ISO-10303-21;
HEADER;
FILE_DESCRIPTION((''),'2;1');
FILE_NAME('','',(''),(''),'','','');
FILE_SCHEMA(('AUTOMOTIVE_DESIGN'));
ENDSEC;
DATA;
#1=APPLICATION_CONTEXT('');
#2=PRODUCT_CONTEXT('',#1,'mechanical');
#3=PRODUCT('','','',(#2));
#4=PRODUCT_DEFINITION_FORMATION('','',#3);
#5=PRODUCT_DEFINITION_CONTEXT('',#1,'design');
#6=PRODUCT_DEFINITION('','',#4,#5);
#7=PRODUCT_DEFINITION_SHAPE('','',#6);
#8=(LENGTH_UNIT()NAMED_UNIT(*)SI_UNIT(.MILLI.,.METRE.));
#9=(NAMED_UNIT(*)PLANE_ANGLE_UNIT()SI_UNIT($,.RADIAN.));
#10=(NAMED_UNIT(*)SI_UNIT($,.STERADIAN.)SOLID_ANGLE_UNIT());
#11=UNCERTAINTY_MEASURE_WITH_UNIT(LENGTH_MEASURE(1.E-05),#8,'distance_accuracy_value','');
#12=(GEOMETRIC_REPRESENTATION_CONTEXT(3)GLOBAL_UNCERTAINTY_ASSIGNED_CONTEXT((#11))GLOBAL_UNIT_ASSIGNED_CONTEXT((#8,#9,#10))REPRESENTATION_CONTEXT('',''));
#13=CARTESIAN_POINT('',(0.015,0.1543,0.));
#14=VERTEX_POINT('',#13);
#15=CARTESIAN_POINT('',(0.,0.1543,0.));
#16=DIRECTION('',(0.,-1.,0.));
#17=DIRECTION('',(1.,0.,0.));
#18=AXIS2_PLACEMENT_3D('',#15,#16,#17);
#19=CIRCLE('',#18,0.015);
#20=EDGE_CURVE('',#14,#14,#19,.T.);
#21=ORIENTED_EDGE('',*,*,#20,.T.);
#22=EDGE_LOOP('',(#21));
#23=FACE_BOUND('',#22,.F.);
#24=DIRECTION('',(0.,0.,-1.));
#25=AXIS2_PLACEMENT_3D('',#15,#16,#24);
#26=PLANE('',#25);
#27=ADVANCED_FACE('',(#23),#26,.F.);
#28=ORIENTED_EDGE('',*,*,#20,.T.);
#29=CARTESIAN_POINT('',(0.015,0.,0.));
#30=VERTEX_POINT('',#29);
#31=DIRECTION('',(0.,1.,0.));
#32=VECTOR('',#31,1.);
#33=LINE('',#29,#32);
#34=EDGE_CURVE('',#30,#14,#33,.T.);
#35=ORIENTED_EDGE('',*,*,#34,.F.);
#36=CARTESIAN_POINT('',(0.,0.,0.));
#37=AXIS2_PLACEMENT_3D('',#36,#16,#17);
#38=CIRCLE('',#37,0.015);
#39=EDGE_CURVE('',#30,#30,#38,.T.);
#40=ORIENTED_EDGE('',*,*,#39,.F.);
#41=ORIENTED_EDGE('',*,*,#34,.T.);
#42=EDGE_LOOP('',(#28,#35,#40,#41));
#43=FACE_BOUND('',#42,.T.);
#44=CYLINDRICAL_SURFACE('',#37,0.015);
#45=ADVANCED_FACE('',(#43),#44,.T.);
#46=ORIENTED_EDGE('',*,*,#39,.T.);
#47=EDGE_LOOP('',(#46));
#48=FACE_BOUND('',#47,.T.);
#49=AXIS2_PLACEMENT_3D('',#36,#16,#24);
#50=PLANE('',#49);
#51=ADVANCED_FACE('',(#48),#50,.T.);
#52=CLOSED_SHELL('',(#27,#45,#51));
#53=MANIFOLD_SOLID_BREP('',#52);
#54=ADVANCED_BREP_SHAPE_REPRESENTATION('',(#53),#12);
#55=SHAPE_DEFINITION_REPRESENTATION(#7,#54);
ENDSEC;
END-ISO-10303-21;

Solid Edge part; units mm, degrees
sketch "Sketch1" plane through (0, 0, 0) normal (0, -1, 0) x (1, 0, 0)
  circle A0 centre (0, 0) radius 0.015
  dimension "D1" = 0.03
extrude "Protrusion1" add sketch "Sketch1" against normal blind 0.1543
